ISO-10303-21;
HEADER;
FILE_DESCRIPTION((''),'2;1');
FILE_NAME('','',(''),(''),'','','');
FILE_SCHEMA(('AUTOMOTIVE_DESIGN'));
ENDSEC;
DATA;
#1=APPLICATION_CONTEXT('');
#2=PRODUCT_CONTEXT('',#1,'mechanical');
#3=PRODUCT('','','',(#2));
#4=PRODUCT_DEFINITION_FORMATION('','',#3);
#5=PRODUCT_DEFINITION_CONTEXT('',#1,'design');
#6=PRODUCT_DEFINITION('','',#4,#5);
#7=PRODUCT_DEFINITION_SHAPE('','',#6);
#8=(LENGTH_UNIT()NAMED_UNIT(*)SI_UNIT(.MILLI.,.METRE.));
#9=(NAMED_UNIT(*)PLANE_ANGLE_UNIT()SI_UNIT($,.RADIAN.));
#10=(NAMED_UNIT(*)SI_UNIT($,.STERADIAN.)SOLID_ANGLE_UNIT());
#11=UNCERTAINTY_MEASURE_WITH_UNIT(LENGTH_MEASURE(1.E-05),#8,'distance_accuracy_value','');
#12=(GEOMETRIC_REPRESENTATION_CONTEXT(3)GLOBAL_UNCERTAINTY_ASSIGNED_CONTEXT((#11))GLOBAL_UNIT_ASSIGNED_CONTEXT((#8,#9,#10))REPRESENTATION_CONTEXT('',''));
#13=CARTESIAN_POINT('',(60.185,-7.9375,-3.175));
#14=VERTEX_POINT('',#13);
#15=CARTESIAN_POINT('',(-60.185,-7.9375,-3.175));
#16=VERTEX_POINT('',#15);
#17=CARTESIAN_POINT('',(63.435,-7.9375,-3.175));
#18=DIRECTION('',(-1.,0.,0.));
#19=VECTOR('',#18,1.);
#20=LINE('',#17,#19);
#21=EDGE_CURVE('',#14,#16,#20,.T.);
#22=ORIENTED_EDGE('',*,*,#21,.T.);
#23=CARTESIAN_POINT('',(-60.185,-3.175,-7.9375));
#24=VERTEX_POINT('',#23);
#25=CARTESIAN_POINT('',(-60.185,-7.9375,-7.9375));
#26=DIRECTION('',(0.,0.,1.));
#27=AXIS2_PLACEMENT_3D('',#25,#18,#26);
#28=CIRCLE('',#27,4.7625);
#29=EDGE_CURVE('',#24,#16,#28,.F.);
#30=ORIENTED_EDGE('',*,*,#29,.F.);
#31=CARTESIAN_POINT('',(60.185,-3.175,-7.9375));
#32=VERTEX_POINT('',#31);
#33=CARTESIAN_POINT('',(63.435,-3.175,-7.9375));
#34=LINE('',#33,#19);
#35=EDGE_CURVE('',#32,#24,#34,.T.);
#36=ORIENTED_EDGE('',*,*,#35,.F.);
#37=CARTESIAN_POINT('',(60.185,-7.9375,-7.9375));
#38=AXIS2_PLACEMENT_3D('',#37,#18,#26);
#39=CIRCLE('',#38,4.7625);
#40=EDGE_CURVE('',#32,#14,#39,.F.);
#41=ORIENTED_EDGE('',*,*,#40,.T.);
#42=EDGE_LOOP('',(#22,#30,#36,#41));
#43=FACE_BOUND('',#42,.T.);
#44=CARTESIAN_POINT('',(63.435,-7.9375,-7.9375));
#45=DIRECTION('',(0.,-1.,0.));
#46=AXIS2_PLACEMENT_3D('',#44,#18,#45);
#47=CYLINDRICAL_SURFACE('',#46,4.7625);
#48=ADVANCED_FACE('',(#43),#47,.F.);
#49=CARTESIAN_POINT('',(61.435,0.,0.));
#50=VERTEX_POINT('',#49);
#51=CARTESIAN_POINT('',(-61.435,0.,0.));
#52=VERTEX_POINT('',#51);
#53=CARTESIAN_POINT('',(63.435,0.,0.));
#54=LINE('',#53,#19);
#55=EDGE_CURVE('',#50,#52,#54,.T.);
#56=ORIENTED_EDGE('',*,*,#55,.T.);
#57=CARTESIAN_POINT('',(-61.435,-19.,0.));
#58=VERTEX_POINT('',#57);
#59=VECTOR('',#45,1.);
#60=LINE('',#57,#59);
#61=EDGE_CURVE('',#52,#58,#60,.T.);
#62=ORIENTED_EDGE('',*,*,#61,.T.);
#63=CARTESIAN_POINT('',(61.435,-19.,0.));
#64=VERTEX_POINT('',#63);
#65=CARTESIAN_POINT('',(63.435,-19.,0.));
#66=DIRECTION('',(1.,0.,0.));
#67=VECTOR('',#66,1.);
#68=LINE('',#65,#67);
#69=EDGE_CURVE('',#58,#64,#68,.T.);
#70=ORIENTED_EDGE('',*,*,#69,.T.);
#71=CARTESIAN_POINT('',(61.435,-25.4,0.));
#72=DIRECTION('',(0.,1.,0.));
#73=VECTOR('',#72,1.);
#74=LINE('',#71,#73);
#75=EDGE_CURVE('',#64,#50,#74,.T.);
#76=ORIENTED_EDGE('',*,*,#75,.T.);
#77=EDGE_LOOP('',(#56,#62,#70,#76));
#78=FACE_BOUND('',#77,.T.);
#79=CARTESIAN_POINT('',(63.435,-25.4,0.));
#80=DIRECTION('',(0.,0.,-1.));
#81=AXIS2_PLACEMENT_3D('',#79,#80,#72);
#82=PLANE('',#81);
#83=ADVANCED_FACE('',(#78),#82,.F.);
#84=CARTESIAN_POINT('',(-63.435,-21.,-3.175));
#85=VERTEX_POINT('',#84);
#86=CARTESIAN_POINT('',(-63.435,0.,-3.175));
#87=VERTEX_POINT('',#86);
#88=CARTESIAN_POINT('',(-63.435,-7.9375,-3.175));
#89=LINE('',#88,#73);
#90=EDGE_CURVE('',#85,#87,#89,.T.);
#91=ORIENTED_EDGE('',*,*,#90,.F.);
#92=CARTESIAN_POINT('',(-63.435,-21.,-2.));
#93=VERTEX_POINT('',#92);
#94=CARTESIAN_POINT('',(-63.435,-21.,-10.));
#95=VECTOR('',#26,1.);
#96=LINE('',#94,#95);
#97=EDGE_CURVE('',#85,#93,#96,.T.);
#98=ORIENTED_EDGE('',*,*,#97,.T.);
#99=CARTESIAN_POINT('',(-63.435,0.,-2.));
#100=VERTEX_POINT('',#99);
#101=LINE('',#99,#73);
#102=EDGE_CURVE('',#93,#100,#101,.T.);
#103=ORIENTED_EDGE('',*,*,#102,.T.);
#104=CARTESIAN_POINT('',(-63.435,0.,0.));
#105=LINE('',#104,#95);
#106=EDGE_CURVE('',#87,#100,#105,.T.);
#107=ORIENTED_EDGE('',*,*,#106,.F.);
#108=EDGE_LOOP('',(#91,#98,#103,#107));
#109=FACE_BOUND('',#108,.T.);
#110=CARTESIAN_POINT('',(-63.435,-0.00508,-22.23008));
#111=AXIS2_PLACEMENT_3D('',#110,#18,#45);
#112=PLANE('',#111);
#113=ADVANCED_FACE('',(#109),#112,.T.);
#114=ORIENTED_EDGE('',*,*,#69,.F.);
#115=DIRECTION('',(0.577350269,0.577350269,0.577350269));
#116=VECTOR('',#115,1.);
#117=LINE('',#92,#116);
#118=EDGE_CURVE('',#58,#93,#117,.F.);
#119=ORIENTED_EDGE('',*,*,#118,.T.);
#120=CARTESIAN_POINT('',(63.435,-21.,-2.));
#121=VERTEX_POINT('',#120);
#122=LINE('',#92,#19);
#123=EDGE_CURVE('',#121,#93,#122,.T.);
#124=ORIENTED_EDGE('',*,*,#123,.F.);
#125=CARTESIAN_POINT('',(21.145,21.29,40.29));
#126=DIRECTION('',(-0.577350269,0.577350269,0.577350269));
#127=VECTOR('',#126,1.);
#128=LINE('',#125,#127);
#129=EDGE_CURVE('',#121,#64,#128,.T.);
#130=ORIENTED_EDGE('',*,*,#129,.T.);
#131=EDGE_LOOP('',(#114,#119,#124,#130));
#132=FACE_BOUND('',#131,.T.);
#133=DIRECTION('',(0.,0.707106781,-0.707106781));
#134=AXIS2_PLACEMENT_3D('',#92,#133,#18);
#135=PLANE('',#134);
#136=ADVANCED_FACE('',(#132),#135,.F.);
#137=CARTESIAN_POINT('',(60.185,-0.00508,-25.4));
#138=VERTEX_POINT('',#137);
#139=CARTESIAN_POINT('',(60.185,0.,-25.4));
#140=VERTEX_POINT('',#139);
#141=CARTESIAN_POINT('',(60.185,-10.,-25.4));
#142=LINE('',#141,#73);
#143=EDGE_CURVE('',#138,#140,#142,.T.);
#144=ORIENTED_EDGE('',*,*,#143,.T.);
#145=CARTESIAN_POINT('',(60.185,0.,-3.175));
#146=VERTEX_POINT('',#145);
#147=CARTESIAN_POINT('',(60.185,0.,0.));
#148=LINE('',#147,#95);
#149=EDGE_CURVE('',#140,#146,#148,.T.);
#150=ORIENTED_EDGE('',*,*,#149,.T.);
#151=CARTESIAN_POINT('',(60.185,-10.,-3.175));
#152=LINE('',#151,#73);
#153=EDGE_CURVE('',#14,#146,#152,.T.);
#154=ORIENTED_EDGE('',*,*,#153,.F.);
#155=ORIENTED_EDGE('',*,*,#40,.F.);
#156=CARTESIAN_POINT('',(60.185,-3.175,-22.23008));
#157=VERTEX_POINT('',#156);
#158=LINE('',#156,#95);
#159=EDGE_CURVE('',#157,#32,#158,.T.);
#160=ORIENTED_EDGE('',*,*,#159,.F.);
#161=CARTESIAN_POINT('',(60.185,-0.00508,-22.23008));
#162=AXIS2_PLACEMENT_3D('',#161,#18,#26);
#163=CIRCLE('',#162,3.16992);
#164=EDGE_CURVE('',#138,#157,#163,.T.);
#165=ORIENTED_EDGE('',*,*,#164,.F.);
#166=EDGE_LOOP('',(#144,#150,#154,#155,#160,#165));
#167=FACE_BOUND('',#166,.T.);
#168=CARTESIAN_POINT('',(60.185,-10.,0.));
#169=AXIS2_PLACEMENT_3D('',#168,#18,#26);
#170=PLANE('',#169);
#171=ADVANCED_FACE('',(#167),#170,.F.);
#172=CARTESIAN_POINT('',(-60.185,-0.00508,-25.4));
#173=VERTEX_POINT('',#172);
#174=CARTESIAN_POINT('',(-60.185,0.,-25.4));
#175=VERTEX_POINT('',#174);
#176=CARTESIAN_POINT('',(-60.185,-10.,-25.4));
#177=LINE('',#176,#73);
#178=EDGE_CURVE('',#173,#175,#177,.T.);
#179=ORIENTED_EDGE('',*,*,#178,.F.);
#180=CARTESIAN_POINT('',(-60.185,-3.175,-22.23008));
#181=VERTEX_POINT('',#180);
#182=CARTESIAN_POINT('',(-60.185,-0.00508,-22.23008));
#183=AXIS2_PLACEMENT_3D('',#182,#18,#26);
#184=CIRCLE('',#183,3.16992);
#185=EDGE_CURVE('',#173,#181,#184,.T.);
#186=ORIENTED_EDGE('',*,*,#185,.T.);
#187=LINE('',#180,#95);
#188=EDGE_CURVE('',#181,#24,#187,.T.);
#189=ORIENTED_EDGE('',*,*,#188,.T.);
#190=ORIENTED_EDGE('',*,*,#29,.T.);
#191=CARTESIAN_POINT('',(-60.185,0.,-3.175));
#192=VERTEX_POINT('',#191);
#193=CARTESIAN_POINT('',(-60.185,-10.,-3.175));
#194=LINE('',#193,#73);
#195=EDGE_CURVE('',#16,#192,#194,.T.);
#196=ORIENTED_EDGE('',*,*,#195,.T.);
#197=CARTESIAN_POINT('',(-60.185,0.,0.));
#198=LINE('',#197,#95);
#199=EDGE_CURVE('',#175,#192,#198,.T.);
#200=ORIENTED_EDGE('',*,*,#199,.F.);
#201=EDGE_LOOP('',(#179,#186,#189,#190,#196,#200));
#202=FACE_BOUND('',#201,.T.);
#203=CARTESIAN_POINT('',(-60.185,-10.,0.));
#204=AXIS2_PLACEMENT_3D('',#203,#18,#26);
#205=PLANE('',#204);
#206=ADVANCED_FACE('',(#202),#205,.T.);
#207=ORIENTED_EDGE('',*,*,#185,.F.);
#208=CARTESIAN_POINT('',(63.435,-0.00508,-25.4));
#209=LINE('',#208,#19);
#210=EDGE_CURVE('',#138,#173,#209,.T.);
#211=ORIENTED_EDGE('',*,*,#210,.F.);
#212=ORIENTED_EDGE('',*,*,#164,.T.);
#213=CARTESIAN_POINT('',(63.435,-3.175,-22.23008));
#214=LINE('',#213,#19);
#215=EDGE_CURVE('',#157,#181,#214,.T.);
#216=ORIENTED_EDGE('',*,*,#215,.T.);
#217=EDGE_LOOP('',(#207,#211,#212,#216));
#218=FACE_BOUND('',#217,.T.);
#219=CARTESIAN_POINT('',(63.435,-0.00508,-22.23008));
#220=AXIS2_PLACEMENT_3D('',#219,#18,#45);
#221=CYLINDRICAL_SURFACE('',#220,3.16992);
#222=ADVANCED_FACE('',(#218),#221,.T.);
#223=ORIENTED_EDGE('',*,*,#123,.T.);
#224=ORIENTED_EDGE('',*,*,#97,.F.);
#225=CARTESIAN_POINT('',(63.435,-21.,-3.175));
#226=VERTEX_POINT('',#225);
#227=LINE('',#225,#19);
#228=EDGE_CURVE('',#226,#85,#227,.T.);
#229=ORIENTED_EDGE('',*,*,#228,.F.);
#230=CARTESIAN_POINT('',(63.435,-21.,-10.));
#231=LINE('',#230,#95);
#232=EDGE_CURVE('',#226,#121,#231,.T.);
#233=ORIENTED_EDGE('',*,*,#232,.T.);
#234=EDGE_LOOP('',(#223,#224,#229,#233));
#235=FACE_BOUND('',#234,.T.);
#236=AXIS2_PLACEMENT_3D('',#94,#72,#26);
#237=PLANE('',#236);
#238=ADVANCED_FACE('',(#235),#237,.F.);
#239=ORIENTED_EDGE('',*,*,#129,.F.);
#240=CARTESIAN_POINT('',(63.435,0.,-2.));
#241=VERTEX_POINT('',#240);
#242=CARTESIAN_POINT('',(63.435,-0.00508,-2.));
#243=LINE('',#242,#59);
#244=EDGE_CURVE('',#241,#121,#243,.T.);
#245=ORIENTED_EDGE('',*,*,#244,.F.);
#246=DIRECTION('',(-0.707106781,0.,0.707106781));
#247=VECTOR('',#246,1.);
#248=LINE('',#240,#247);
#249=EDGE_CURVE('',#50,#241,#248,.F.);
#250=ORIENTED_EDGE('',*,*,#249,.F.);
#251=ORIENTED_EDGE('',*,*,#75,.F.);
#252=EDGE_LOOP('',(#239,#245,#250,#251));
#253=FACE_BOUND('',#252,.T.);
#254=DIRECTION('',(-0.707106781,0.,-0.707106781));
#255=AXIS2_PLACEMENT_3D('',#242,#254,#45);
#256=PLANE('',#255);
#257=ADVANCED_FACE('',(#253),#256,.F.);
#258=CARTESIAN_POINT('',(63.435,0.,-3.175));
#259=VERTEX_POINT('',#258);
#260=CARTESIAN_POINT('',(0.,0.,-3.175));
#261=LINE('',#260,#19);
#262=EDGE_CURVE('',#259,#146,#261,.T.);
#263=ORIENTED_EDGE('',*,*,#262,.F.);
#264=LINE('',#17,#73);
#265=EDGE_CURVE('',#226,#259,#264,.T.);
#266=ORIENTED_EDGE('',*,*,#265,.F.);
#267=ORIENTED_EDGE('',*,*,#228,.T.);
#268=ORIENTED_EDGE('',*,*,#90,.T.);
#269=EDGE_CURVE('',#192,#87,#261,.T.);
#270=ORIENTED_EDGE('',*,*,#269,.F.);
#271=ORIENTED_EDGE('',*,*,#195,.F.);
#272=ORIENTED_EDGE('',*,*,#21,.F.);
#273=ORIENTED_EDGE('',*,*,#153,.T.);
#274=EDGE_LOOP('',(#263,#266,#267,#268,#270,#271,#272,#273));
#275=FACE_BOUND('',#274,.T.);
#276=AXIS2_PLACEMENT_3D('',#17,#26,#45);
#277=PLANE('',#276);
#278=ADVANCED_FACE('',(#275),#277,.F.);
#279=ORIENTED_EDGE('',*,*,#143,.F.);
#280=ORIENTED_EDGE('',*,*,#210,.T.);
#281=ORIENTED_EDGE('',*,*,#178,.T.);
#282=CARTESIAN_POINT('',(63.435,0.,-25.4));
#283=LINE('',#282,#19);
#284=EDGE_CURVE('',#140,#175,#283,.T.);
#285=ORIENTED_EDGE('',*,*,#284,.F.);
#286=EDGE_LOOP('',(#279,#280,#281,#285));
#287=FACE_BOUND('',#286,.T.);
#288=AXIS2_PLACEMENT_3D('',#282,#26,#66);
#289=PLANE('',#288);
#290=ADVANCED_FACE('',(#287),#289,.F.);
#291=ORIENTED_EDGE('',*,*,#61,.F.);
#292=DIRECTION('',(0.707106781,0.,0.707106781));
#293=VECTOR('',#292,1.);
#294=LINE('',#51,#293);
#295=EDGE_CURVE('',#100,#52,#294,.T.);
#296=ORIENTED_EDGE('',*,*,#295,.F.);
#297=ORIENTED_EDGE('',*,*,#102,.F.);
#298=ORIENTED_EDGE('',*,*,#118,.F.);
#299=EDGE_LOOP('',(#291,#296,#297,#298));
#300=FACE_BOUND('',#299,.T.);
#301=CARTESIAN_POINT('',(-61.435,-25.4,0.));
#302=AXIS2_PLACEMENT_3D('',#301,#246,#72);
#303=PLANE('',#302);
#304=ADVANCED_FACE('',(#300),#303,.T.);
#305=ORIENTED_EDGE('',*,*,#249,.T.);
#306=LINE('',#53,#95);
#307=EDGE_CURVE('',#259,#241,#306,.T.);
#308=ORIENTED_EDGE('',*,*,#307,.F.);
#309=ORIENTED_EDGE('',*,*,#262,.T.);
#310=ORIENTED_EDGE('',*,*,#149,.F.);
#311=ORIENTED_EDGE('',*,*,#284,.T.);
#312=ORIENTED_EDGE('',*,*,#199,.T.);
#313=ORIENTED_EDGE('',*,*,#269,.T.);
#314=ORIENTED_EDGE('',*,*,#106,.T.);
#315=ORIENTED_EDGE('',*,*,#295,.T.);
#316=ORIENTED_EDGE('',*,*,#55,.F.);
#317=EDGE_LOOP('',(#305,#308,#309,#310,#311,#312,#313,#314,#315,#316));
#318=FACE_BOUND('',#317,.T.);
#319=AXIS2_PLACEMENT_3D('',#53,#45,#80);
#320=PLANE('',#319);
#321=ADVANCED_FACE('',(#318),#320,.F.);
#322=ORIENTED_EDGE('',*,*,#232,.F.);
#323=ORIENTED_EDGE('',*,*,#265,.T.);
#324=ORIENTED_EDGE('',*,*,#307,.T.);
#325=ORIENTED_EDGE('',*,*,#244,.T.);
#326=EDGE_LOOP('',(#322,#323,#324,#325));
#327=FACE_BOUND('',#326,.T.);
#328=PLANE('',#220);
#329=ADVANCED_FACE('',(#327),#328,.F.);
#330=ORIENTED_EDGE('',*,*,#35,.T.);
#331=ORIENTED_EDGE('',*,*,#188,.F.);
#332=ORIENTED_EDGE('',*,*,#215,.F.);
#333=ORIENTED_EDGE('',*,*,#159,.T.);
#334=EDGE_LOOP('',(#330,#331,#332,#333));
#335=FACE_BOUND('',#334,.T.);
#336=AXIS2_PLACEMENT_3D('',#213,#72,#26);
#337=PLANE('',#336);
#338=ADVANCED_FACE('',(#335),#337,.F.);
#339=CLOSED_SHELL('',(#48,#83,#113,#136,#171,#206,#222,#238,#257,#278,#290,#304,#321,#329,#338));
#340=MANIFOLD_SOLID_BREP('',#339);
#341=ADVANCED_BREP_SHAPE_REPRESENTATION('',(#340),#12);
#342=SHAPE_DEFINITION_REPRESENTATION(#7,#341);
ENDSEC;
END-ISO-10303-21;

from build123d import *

# Parameters (mm, degrees)
HIERRO_ANGULAR_1_X_1_X_0_125_1_DEPTH = 126.87
CROQUIS3_W                           = 3.25
CROQUIS3_H                           = 22.225
CORTAR_EXTRUIR1_DEPTH                = 10
CROQUIS4_W                           = 126.87
CROQUIS4_H                           = 4.4
CORTAR_EXTRUIR2_DEPTH                = 10
CHAFL_N1_SIZE                        = 2
CHAFL_N2_SIZE                        = 2


with BuildPart() as part:
    # Sketch1 → Hierro angular 1 X 1 X 0.125(1) (new body)
    with BuildSketch(Plane(origin=(-63.435, 0, 0), x_dir=(0, -1, 0), z_dir=(1, 0, 0))):
        with BuildLine():
            Line((0, 0), (0, 25.4))
            Line((0, 25.4), (0.00508, 25.4))
            ThreePointArc((0.00508, 25.4), (2.246551928, 24.471551928), (3.175, 22.23008))
            Line((3.175, 22.23008), (3.175, 7.9375))
            ThreePointArc((3.175, 7.9375), (4.569903955, 4.569903955), (7.9375, 3.175))
            Line((7.9375, 3.175), (22.23008, 3.175))
            ThreePointArc((22.23008, 3.175), (24.471551928, 2.246551928), (25.4, 0.00508))
            Line((25.4, 0.00508), (25.4, 0))
            Line((25.4, 0), (0, 0))
        make_face()
    extrude(amount=HIERRO_ANGULAR_1_X_1_X_0_125_1_DEPTH)

    # Croquis3 → Cortar-Extruir1 (cut)
    with BuildSketch(Plane(origin=(0, 0, 0), x_dir=(1, 0, 0), z_dir=(0, 1, 0))):
        with Locations((-61.81, 14.2875)):
            Rectangle(CROQUIS3_W, CROQUIS3_H)
        with Locations((61.81, 14.2875)):
            Rectangle(CROQUIS3_W, CROQUIS3_H)
    extrude(amount=-CORTAR_EXTRUIR1_DEPTH, mode=Mode.SUBTRACT)

    # Croquis4 → Cortar-Extruir2 (cut)
    with BuildSketch(Plane.XY):
        with Locations((0, -23.2)):
            Rectangle(CROQUIS4_W, CROQUIS4_H)
    extrude(amount=-CORTAR_EXTRUIR2_DEPTH, mode=Mode.SUBTRACT)

    # Chaflán1
    chafl_n1_edges = [part.edges().sort_by_distance(p)[0] for p in [
        (0, -21, 0),
    ]]
    chamfer(chafl_n1_edges, length=CHAFL_N1_SIZE)

    # Chaflán2
    chafl_n2_edges = [part.edges().sort_by_distance(p)[0] for p in [
        (63.435, -9.5, 0),
        (-63.435, -9.5, 0),
    ]]
    chamfer(chafl_n2_edges, length=CHAFL_N2_SIZE)


solid = part.part
